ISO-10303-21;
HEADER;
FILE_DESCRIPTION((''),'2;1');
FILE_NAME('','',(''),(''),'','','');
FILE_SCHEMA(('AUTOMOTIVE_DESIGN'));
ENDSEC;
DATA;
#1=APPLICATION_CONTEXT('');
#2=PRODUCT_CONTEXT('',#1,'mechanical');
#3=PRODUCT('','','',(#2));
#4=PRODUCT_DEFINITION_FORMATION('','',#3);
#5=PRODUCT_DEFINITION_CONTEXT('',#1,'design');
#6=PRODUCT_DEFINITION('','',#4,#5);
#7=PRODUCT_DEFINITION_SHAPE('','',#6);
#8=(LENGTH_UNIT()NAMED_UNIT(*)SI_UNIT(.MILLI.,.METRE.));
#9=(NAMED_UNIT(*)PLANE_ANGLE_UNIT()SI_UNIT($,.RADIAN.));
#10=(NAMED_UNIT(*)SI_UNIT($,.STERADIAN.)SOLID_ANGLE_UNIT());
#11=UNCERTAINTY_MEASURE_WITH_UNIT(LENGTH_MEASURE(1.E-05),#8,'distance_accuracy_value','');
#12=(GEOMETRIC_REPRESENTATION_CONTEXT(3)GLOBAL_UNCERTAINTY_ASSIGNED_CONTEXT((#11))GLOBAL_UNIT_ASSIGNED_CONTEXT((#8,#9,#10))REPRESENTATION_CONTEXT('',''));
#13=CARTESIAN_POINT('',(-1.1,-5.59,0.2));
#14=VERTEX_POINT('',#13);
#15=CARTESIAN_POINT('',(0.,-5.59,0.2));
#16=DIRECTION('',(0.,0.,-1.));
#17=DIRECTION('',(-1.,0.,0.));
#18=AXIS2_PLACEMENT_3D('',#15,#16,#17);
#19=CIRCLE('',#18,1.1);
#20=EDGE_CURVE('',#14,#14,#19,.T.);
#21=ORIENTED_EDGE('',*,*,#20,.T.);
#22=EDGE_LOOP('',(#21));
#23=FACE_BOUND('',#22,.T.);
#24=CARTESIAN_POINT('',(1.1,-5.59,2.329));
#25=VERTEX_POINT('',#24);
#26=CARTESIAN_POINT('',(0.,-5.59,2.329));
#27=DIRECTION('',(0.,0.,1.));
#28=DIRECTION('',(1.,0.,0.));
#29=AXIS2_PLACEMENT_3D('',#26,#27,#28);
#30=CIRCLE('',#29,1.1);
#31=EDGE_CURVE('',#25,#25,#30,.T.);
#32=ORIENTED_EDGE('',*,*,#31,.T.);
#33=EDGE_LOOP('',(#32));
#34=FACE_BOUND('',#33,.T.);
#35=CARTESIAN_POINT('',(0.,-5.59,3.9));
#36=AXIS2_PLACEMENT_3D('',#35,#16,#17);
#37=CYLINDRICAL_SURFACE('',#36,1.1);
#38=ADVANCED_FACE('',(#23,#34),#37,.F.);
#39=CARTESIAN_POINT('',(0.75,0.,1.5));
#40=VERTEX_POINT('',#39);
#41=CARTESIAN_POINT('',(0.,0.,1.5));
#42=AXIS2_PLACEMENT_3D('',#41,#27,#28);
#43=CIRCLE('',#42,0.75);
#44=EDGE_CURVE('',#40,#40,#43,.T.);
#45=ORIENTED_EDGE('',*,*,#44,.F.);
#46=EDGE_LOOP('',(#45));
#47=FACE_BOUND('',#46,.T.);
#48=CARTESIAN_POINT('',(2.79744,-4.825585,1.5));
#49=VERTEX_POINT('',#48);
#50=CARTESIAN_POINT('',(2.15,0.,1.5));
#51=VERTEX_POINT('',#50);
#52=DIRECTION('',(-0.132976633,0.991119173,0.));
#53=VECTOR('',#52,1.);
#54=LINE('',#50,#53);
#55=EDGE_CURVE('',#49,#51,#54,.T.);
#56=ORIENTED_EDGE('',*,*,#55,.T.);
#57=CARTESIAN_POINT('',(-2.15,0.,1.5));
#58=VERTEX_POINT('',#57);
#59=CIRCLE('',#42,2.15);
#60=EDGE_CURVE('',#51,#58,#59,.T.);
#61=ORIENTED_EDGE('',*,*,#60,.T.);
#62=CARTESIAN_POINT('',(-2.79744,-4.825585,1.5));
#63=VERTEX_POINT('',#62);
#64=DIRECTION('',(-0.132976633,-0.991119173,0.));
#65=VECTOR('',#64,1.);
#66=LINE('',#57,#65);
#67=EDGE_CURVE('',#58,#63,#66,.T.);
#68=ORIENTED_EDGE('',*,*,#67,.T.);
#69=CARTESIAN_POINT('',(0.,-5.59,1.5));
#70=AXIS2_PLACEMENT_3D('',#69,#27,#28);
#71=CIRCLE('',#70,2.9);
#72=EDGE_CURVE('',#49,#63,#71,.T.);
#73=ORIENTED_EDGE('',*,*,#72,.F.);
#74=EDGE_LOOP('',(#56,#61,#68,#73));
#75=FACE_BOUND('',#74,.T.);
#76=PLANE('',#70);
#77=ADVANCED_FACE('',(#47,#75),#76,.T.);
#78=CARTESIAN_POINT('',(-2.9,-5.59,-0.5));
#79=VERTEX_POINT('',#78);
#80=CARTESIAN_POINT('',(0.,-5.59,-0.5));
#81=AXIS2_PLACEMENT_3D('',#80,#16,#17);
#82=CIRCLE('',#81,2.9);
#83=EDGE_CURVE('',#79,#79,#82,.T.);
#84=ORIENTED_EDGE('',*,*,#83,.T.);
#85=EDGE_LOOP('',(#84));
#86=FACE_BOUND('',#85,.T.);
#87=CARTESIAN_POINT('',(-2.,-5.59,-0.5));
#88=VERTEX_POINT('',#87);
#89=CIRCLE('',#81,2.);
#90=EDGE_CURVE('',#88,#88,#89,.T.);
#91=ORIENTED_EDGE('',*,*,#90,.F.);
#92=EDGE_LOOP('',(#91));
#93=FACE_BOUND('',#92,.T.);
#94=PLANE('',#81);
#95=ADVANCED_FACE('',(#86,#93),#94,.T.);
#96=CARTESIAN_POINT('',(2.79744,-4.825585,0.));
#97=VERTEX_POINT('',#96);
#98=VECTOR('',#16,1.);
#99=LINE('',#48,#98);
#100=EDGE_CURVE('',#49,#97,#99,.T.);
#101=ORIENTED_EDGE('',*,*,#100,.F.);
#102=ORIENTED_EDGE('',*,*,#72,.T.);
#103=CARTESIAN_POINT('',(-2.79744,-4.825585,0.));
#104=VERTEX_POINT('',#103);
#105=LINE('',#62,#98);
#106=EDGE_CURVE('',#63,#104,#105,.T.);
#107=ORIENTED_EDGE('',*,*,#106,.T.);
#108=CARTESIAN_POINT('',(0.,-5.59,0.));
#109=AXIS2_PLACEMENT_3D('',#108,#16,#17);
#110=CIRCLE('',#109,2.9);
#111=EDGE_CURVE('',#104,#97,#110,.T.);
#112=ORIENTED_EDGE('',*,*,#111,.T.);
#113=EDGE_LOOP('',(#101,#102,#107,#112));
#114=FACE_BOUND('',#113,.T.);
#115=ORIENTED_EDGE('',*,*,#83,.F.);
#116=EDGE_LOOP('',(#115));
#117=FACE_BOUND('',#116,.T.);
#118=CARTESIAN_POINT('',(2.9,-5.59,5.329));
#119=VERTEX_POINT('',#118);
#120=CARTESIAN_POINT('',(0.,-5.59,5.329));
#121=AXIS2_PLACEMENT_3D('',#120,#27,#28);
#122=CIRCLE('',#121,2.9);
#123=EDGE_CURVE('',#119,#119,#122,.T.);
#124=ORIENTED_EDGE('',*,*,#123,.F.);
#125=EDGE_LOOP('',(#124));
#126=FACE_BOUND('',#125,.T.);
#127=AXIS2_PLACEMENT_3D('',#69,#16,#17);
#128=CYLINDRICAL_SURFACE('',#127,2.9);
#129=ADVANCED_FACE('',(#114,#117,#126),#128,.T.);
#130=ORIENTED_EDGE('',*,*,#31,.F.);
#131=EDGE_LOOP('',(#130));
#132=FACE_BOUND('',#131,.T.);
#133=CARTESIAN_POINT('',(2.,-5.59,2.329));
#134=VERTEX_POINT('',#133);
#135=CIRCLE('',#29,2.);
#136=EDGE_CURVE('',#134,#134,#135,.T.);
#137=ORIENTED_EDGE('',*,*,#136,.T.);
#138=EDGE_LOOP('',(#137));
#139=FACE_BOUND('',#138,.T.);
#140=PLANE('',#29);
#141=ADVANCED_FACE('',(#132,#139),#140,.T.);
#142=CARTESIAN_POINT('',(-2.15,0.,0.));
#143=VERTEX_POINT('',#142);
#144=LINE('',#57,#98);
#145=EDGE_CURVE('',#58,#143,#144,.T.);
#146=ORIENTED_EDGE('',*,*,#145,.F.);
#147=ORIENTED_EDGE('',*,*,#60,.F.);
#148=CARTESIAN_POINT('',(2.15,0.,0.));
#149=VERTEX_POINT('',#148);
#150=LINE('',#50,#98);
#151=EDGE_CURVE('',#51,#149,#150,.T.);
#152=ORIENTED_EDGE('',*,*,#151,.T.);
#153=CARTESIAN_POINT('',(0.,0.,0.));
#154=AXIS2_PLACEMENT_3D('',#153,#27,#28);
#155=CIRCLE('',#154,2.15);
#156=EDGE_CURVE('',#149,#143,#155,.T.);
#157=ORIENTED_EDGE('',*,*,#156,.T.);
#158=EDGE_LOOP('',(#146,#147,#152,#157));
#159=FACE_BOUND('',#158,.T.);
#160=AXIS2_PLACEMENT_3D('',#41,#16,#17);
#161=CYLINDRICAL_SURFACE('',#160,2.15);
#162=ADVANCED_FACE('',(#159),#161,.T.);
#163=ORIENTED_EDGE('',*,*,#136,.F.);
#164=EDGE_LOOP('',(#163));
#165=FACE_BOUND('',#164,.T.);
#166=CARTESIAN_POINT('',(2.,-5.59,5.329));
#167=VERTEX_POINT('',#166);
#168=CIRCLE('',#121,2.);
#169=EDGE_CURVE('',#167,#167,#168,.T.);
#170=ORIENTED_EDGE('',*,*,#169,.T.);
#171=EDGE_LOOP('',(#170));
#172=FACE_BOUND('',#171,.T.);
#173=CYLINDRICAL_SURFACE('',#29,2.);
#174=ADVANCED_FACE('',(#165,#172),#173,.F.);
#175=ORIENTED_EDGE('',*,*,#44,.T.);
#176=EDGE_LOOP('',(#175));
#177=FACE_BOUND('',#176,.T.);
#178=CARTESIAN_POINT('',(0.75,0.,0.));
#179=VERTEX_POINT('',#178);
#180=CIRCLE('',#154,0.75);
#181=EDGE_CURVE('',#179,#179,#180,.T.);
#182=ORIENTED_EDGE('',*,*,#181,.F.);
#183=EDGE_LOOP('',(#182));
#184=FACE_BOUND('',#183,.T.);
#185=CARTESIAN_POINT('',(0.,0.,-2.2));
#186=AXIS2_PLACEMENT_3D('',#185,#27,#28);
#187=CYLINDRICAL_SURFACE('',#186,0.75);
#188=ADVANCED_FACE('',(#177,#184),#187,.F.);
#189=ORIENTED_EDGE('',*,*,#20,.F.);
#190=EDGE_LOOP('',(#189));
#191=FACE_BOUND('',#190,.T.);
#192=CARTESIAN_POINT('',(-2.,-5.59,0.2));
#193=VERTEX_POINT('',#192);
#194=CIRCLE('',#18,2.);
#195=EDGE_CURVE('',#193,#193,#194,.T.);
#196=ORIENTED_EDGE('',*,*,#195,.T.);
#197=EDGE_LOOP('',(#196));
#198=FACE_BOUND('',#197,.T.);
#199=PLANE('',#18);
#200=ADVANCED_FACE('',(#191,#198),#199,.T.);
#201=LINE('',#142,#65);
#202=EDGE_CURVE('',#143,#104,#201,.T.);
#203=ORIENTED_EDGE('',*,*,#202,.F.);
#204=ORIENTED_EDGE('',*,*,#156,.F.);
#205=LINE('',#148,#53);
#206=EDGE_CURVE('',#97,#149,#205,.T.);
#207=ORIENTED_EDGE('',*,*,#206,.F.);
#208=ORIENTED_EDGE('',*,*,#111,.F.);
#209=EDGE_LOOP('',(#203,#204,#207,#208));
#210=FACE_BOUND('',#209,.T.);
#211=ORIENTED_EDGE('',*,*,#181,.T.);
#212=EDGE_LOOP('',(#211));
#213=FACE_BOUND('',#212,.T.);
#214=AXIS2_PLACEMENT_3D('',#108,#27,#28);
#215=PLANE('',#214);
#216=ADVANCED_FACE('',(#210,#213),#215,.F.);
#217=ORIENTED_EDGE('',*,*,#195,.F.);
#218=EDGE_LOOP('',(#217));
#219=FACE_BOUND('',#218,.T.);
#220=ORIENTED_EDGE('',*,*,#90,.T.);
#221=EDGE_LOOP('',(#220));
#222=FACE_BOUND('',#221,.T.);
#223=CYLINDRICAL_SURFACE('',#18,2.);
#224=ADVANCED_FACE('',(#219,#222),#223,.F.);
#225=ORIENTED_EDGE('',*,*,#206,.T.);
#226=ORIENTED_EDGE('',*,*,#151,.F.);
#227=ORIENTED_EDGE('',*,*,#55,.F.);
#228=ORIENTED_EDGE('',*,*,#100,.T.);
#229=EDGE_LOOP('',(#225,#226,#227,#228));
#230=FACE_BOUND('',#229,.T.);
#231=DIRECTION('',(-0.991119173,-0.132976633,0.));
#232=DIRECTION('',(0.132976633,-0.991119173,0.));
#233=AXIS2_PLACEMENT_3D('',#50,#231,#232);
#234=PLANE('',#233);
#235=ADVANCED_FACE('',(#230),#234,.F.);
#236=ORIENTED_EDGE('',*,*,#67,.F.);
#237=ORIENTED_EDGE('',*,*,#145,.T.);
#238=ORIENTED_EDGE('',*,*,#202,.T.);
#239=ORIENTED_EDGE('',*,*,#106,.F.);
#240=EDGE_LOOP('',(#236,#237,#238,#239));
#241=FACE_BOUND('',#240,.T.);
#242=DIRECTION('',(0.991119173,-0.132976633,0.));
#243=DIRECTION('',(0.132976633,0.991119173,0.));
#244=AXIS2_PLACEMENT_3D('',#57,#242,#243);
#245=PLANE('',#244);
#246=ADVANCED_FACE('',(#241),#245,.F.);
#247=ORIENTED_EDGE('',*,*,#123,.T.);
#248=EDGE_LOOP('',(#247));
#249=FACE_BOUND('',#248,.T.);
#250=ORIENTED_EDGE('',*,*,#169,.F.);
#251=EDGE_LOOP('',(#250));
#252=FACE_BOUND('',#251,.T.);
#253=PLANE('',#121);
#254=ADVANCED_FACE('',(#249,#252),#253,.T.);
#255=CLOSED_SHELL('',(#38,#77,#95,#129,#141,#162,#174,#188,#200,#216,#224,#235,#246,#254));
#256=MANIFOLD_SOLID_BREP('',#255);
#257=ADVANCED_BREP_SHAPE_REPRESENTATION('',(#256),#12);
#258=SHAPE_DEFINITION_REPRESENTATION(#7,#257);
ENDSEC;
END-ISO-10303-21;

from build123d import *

# Parameters (mm, degrees)
EXTRUDE_1_DEPTH     = 1.5
SKETCH_3_R          = 2.9
EXTRUDE_2_DEPTH     = 3.829
EXTRUDE_START       = 0.5
SKETCH_4_R          = 2.9
EXTRUDE_3_DEPTH     = 0.5
SKETCH_5_R          = 2
CUT_EXTRUDE_1_DEPTH = 3
CUT_EXTRUDE_START   = -0.7
SKETCH_6_R          = 2
CUT_EXTRUDE_2_DEPTH = 0.7
SKETCH_7_R          = 1.1
CUT_EXTRUDE_3_DEPTH = 3.7
SKETCH_8_R          = 0.75
CUT_EXTRUDE_4_DEPTH = 3.7


with BuildPart() as part:
    # 草图1 → 凸台-拉伸1 (new body)
    with BuildSketch(Plane.XY):
        with BuildLine():
            Line((-2.15, 0), (-2.797439847, -4.825584994))
            ThreePointArc((-2.797439847, -4.825584994), (0, -8.49), (2.797439847, -4.825584994))
            Line((2.797439847, -4.825584994), (2.15, 0))
            ThreePointArc((2.15, 0), (0, 2.15), (-2.15, 0))
        make_face()
    extrude(amount=EXTRUDE_1_DEPTH)

    # 草图3 → 凸台-拉伸2 (add)
    with BuildSketch(Plane.XY.offset(1.5)):
        with Locations(Location((0, -5.59, 0), (0, 0, 164.716730752))):
            Circle(SKETCH_3_R)
    extrude(amount=EXTRUDE_2_DEPTH)

    # 草图4 → 凸台-拉伸3 (add)
    with BuildSketch(Plane(origin=(0, 0, 0), x_dir=(-1, 0, 0), z_dir=(0, 0, -1)).offset(EXTRUDE_START)):
        with Locations((0, -5.59)):
            Circle(SKETCH_4_R)
    extrude(amount=-EXTRUDE_3_DEPTH)

    # 草图5 → 切除-拉伸1 (cut)
    with BuildSketch(Plane.XY.offset(5.329)):
        with Locations((0, -5.59)):
            Circle(SKETCH_5_R)
    extrude(amount=-CUT_EXTRUDE_1_DEPTH, mode=Mode.SUBTRACT)

    # 草图6 → 切除-拉伸2 (cut)
    with BuildSketch(Plane(origin=(0, 0, -0.5), x_dir=(-1, 0, 0), z_dir=(0, 0, -1)).offset(CUT_EXTRUDE_START)):
        with Locations(Location((0, -5.59, 0), (0, 0, 180))):
            Circle(SKETCH_6_R)
    extrude(amount=CUT_EXTRUDE_2_DEPTH, mode=Mode.SUBTRACT)

    # 草图7 → 切除-拉伸3 (cut)
    with BuildSketch(Plane(origin=(0, 0, 0.2), x_dir=(-1, 0, 0), z_dir=(0, 0, -1))):
        with Locations((0, -5.59)):
            Circle(SKETCH_7_R)
    extrude(amount=-CUT_EXTRUDE_3_DEPTH, mode=Mode.SUBTRACT)

    # 草图8 → 切除-拉伸4 (cut)
    with BuildSketch(Plane.XY.offset(1.5)):
        Circle(SKETCH_8_R)
    extrude(amount=-CUT_EXTRUDE_4_DEPTH, mode=Mode.SUBTRACT)


solid = part.part
